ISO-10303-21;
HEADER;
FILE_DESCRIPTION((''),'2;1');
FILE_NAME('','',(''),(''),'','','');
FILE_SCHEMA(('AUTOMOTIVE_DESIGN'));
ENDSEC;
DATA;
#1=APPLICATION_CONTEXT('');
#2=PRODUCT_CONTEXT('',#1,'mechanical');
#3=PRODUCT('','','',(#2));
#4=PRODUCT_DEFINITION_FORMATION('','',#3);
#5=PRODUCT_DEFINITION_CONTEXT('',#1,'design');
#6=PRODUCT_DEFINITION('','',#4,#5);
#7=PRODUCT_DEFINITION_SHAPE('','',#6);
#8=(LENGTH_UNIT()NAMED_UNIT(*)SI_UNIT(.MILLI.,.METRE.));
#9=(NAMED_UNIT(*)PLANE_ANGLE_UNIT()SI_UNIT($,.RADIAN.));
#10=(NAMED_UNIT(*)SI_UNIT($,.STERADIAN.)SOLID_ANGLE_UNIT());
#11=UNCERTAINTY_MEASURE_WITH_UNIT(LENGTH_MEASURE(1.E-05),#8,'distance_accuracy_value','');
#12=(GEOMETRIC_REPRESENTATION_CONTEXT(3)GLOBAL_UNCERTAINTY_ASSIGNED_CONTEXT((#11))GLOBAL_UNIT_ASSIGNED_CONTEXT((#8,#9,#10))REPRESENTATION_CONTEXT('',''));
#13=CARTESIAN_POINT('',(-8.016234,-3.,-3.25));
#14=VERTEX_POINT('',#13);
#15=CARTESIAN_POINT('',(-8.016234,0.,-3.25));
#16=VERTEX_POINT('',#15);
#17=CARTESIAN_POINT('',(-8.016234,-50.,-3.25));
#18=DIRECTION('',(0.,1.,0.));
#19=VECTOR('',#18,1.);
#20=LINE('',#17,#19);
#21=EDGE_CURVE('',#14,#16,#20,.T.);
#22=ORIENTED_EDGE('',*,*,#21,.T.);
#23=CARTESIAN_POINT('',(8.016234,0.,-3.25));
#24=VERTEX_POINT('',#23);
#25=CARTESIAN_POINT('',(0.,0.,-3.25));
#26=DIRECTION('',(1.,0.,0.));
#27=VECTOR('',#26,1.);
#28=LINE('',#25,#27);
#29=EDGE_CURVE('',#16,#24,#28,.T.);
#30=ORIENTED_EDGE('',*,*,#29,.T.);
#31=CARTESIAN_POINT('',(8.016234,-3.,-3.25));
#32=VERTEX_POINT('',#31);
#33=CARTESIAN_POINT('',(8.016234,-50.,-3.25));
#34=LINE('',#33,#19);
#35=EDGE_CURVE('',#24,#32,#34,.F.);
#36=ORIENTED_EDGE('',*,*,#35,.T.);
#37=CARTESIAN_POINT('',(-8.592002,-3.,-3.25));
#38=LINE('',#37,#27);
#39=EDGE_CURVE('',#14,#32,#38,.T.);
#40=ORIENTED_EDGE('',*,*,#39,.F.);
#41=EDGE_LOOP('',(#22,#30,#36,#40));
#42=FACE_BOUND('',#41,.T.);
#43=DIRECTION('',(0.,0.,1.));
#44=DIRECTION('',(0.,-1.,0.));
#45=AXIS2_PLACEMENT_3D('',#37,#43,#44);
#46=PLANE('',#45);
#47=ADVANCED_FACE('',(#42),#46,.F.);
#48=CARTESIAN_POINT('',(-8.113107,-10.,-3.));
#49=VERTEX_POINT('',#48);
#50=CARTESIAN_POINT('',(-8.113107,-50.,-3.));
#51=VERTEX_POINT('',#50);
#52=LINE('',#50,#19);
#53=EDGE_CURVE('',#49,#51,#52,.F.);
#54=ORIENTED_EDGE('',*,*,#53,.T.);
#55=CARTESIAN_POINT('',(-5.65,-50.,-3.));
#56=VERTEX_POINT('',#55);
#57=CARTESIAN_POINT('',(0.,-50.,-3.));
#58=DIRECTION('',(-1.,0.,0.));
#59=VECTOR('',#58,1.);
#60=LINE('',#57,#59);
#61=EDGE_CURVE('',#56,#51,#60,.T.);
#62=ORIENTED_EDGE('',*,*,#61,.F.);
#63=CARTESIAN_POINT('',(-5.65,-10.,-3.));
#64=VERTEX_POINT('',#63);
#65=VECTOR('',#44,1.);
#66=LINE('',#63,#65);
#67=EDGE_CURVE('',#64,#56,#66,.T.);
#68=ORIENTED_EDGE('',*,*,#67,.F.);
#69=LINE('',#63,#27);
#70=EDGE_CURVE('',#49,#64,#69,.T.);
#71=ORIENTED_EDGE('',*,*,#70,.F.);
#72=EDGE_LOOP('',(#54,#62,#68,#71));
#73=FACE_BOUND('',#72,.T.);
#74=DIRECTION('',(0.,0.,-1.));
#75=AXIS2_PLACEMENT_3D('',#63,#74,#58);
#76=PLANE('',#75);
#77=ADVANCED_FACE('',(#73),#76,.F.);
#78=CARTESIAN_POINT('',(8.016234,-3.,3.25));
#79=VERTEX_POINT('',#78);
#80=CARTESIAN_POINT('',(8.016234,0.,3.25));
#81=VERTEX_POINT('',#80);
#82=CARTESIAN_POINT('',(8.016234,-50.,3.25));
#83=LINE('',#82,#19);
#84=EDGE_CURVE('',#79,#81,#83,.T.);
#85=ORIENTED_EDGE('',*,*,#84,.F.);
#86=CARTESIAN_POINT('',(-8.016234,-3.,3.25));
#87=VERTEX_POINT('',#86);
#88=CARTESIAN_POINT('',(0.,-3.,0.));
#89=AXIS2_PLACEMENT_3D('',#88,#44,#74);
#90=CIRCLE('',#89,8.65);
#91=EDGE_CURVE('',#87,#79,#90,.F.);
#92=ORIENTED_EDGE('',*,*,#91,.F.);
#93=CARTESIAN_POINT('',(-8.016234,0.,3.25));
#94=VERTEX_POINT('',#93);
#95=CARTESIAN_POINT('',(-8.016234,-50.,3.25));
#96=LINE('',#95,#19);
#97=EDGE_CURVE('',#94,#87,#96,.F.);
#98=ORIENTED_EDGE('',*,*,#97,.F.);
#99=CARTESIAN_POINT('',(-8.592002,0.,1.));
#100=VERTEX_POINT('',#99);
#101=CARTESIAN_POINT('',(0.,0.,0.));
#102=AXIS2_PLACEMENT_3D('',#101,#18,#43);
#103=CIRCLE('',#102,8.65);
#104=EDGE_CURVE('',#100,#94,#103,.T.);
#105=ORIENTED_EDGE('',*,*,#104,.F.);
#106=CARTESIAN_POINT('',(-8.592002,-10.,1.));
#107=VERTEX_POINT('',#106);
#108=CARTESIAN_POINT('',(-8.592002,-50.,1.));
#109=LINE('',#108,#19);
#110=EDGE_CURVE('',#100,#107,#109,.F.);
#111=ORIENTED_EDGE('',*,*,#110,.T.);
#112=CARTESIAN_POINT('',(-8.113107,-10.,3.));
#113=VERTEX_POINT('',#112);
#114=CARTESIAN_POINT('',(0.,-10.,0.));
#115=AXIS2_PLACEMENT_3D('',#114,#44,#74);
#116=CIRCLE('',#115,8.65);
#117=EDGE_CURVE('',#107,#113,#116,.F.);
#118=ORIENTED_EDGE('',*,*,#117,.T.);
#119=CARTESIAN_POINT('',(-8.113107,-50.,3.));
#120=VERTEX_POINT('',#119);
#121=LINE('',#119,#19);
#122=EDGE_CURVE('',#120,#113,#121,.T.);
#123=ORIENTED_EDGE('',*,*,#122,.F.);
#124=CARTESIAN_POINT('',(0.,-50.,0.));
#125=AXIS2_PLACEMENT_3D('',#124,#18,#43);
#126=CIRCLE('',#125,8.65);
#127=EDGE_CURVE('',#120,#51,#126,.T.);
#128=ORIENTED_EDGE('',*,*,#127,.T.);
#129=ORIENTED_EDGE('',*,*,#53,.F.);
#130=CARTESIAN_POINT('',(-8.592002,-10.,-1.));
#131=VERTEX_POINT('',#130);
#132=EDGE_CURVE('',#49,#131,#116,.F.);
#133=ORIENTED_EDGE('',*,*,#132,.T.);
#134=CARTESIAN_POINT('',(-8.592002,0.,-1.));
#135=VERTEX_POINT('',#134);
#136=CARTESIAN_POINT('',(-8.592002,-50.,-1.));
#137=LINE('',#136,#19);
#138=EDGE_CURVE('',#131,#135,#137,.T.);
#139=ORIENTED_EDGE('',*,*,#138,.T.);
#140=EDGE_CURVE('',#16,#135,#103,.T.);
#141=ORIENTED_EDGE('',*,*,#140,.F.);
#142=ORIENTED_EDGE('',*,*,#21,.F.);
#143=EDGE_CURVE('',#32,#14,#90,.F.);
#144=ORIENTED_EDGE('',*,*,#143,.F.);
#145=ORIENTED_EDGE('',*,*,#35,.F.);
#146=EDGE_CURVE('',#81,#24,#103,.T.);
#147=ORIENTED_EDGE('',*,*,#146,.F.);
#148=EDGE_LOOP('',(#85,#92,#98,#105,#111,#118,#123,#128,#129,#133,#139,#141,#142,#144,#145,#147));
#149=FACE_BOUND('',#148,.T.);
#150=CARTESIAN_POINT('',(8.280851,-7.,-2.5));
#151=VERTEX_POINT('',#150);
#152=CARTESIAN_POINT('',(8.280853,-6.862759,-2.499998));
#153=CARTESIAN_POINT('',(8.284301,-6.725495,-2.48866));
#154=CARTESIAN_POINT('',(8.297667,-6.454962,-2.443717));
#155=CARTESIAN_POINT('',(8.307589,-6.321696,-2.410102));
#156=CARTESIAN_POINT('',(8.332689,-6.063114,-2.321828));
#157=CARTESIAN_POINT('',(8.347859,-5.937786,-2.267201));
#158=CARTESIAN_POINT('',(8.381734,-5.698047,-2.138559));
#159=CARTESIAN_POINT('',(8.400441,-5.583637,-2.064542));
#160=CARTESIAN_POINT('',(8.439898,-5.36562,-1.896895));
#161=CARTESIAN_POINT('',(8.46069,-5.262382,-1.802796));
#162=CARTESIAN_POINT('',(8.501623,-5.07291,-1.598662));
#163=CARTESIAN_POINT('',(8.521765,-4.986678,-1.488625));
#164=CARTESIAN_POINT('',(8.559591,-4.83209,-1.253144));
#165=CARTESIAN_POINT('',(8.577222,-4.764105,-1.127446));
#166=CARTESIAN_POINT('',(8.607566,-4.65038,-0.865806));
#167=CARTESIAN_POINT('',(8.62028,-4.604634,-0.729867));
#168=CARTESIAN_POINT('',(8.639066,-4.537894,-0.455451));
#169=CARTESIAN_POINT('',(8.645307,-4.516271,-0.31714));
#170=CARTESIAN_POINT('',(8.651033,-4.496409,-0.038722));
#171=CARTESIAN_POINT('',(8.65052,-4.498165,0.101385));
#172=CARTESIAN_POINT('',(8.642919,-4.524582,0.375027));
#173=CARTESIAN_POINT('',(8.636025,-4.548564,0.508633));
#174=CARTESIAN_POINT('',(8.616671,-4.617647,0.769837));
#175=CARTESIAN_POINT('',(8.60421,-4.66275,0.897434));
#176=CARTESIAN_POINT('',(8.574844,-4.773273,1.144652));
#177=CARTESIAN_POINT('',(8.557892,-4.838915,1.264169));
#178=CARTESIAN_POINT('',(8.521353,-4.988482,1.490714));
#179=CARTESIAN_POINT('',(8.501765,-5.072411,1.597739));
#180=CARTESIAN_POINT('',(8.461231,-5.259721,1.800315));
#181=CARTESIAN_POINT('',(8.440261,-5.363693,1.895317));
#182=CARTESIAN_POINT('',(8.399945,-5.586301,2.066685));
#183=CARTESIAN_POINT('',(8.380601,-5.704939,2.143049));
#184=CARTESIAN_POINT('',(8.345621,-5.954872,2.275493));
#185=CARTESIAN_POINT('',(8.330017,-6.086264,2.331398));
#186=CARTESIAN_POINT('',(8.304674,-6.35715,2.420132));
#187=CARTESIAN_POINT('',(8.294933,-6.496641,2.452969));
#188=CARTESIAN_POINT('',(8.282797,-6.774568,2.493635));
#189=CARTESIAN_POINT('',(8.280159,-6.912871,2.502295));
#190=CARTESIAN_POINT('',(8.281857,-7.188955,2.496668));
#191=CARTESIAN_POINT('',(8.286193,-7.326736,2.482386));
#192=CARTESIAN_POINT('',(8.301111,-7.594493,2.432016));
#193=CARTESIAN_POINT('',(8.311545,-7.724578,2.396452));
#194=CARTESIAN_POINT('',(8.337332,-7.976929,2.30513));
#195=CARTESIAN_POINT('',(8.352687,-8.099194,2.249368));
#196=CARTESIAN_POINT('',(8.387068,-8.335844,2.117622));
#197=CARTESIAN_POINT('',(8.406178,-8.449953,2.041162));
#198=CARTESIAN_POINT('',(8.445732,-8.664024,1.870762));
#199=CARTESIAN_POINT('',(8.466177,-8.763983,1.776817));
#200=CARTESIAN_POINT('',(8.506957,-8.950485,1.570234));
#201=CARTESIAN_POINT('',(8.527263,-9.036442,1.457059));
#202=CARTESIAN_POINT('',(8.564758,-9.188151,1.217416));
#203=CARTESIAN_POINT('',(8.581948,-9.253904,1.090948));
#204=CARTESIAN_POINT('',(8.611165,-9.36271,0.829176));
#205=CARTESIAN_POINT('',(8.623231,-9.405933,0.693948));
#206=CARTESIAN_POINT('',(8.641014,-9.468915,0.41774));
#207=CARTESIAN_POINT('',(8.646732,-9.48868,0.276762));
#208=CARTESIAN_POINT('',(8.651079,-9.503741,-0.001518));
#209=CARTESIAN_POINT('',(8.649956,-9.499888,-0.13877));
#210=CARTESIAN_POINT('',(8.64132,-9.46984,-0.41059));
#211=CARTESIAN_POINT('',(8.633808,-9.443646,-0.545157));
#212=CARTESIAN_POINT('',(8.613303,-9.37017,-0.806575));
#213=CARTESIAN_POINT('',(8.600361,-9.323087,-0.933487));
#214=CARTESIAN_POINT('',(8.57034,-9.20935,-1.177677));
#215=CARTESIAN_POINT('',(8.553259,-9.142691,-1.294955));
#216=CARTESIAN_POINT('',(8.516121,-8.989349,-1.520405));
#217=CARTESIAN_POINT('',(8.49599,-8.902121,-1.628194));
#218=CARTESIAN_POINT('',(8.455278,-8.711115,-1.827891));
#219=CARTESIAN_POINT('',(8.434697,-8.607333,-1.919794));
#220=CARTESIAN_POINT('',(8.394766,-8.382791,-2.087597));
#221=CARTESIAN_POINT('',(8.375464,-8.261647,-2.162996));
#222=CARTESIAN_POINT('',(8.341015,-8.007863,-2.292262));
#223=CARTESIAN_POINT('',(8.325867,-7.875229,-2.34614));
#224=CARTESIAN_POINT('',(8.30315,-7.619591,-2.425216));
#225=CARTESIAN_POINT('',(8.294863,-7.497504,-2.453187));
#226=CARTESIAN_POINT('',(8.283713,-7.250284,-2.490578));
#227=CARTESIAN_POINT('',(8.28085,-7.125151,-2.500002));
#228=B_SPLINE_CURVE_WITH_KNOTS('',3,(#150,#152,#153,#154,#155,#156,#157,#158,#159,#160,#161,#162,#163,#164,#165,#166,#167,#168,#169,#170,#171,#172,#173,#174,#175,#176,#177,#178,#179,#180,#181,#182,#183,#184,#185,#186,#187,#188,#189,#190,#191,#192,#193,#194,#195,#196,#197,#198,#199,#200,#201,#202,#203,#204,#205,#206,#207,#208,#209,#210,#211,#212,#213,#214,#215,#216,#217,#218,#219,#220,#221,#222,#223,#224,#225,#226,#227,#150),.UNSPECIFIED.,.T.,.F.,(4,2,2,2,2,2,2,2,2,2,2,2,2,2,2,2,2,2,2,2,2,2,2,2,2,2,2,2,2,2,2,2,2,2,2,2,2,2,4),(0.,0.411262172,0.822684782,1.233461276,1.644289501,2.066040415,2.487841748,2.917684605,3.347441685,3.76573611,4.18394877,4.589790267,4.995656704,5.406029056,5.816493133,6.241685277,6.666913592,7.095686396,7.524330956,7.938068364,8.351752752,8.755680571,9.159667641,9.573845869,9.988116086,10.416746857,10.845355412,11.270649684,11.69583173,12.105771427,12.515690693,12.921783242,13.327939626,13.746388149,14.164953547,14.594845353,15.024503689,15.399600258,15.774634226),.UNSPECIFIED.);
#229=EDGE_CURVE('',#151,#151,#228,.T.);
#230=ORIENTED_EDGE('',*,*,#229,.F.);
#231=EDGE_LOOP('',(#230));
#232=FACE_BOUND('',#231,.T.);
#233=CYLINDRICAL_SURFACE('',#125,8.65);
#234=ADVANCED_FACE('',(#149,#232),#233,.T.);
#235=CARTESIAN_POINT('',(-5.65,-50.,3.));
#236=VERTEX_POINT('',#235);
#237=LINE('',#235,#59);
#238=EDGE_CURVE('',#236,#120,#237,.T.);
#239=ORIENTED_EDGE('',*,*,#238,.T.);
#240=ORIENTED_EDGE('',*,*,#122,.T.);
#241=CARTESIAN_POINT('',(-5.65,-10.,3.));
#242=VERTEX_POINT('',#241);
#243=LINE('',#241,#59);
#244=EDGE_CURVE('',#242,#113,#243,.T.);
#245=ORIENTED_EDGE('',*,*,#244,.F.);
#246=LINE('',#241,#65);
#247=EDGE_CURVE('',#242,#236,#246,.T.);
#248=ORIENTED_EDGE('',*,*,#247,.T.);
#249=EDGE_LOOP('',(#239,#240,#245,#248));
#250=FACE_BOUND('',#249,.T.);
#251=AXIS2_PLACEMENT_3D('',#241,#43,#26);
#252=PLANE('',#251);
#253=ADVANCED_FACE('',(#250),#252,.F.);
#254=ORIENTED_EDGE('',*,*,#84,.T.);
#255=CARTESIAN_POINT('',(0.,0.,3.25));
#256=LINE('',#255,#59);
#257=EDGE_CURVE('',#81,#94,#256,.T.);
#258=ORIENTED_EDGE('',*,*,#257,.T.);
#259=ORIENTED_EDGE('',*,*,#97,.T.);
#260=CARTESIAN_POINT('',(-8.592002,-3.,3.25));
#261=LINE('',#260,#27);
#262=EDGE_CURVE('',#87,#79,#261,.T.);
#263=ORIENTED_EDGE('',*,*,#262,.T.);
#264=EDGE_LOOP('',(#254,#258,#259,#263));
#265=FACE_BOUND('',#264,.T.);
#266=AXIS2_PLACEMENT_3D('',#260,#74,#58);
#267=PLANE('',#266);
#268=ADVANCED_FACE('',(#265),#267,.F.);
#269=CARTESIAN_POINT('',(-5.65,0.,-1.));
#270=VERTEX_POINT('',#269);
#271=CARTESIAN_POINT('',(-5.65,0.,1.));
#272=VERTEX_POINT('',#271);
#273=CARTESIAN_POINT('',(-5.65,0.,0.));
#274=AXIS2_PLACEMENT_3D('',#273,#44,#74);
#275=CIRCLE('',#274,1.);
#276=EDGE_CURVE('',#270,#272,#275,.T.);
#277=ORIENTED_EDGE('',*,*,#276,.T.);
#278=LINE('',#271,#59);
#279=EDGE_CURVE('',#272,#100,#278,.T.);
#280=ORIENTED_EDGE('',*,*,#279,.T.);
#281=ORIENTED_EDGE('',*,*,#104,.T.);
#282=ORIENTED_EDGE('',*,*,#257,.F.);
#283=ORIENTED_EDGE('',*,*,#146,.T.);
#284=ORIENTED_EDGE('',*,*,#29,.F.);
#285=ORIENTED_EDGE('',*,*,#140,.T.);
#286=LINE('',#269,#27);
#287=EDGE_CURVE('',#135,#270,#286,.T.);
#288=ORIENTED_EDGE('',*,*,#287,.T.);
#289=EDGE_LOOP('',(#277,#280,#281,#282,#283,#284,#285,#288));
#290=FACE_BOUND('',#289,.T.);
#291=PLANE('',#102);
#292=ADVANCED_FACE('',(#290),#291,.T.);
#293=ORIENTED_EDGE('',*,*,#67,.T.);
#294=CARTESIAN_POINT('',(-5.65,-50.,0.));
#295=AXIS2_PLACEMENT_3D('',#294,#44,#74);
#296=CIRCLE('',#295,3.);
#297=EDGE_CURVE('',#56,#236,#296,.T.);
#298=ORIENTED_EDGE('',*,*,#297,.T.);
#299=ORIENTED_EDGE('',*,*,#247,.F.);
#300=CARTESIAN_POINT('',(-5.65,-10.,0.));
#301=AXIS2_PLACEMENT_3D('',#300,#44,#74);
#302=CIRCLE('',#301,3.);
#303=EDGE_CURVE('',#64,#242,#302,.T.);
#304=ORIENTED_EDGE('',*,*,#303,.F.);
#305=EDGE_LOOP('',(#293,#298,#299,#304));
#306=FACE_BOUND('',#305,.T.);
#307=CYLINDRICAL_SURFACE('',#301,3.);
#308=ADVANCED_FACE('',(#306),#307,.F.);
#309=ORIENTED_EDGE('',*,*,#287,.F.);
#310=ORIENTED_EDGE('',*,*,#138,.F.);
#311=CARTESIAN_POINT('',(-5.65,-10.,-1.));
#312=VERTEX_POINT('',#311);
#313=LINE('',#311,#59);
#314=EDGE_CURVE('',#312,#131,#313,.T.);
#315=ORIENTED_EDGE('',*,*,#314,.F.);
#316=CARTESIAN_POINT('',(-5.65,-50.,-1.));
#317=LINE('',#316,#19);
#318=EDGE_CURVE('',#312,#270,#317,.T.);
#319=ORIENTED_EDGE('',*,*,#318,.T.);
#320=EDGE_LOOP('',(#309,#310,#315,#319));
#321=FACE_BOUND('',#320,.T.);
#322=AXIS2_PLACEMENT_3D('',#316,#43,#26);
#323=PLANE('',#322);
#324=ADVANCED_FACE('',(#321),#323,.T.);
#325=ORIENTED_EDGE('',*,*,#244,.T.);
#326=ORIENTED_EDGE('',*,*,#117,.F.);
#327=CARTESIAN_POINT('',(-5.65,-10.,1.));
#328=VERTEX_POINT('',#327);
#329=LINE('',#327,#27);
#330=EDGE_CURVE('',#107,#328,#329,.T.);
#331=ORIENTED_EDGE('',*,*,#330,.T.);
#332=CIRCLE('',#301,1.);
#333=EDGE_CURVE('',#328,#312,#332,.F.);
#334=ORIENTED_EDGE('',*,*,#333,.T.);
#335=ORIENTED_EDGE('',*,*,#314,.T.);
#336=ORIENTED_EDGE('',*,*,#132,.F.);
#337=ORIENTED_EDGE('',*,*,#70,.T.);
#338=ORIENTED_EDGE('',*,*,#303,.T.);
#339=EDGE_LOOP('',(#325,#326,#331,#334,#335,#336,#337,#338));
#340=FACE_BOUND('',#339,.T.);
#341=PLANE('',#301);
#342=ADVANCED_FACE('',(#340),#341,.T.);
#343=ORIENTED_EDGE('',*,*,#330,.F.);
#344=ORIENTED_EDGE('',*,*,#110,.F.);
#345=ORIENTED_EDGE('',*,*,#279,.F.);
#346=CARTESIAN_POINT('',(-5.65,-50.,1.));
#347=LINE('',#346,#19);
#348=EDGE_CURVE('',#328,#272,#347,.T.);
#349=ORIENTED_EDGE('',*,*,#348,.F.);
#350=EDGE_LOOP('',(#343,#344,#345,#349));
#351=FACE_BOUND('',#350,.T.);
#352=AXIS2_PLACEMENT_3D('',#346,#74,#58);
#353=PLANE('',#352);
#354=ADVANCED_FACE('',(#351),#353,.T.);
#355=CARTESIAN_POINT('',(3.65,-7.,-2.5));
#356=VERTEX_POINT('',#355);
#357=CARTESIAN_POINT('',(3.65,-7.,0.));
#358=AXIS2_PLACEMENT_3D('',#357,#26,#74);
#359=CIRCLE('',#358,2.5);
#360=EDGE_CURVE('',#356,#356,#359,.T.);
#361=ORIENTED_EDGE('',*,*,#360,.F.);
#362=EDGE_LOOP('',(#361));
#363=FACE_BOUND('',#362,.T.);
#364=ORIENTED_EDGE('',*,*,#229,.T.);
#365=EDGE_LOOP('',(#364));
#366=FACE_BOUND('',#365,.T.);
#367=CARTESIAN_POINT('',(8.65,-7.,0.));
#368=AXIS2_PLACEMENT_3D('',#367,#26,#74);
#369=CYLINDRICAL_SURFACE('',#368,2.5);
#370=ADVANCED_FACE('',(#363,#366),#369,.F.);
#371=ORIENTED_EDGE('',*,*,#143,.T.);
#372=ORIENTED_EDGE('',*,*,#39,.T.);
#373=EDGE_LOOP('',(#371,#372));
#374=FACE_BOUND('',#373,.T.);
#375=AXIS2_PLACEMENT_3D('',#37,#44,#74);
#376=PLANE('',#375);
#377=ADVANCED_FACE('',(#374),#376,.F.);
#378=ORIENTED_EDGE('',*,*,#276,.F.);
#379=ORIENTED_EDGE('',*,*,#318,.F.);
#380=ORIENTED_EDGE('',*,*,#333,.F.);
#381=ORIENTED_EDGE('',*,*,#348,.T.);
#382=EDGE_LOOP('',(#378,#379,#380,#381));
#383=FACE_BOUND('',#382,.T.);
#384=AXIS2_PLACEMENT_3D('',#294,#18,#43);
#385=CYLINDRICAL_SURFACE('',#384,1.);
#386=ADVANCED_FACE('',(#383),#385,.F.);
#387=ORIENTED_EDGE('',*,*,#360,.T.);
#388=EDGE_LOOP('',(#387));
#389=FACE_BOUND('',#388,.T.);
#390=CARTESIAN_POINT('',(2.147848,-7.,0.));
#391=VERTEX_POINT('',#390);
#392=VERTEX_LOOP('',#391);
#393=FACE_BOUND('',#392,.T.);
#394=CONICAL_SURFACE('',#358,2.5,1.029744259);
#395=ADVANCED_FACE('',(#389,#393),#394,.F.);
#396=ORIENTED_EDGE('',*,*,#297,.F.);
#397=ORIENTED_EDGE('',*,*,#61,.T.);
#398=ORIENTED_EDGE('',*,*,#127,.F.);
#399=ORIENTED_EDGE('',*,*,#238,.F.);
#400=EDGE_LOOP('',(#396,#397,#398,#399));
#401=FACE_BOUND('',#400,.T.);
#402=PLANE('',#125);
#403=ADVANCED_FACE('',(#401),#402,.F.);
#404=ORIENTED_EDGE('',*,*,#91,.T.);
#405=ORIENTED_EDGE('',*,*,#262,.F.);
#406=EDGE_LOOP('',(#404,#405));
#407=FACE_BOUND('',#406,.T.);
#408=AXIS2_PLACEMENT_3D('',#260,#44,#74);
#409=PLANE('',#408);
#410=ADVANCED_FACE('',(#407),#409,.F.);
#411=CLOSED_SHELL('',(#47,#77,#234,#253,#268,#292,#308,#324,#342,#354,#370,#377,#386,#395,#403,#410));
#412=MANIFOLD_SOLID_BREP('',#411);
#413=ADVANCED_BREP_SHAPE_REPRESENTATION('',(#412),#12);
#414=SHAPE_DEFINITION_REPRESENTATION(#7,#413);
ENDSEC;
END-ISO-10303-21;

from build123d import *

# Parameters (mm, degrees)
SKETCH_1_R               = 8.65
EXTRUDE_1_DEPTH          = 50
CUT_EXTRUDE_1_DEPTH      = 40
CUT_EXTRUDE_2_DEPTH      = 51
SKETCH_4_W               = 7.4
SKETCH_4_H               = 3
CUT_EXTRUDE_3_DEPTH      = 9.65
CUT_EXTRUDE_3_DEPTH_BACK = 9.592002095
HOLE_WIZARD_M61_D        = 5
HOLE_WIZARD_M61_DEPTH    = 5
HOLE_WIZARD_M61_TIP      = 1.502151548


with BuildPart() as part:
    # Эскиз1 → Бобышка-Вытянуть1 (new body)
    with BuildSketch(Plane(origin=(0, 0, 0), x_dir=(1, 0, 0), z_dir=(0, 1, 0))):
        Circle(SKETCH_1_R)
    extrude(amount=-EXTRUDE_1_DEPTH)

    # Эскиз2 → Вырез-Вытянуть1 (cut)
    with BuildSketch(Plane.XZ.offset(50)):
        with BuildLine():
            Line((-5.65, -3), (-8.65, -3))
            ThreePointArc((-8.65, -3), (-11.65, 0), (-8.65, 3))
            Line((-8.65, 3), (-5.65, 3))
            ThreePointArc((-5.65, 3), (-2.65, 0), (-5.65, -3))
        make_face()
    extrude(amount=-CUT_EXTRUDE_1_DEPTH, mode=Mode.SUBTRACT)

    # Эскиз3 → Вырез-Вытянуть2 (cut, through all)
    with BuildSketch(Plane.XZ):
        with BuildLine():
            Line((-5.65, -1), (-8.65, -1))
            ThreePointArc((-8.65, -1), (-9.65, 0), (-8.65, 1))
            Line((-8.65, 1), (-5.65, 1))
            ThreePointArc((-5.65, 1), (-4.65, 0), (-5.65, -1))
        make_face()
    extrude(amount=CUT_EXTRUDE_2_DEPTH, mode=Mode.SUBTRACT)

    # Эскиз4 → Вырез-Вытянуть3 (cut, two sides)
    with BuildSketch(Plane(origin=(0, 0, 0), x_dir=(0, 0, -1), z_dir=(1, 0, 0))) as cut_extrude_3_sk:
        with Locations((6.95, -1.5)):
            Rectangle(SKETCH_4_W, SKETCH_4_H)
        with Locations((-6.95, -1.5)):
            Rectangle(SKETCH_4_W, SKETCH_4_H)
    extrude(amount=CUT_EXTRUDE_3_DEPTH, mode=Mode.SUBTRACT)
    extrude(cut_extrude_3_sk.sketch, amount=-CUT_EXTRUDE_3_DEPTH_BACK, mode=Mode.SUBTRACT)

    # Отверстие обработанное метчиком M61
    with Locations(Plane(origin=(8.65, 0, 0), x_dir=(0, 0, -1), z_dir=(1, 0, 0))):
        with Locations((0, -7)):
            Hole(HOLE_WIZARD_M61_D / 2, depth=HOLE_WIZARD_M61_DEPTH)
            with Locations((0, 0, -(HOLE_WIZARD_M61_DEPTH + HOLE_WIZARD_M61_TIP / 2))):  # 118° drill point
                Cone(0, HOLE_WIZARD_M61_D / 2, HOLE_WIZARD_M61_TIP, mode=Mode.SUBTRACT)


solid = part.part
